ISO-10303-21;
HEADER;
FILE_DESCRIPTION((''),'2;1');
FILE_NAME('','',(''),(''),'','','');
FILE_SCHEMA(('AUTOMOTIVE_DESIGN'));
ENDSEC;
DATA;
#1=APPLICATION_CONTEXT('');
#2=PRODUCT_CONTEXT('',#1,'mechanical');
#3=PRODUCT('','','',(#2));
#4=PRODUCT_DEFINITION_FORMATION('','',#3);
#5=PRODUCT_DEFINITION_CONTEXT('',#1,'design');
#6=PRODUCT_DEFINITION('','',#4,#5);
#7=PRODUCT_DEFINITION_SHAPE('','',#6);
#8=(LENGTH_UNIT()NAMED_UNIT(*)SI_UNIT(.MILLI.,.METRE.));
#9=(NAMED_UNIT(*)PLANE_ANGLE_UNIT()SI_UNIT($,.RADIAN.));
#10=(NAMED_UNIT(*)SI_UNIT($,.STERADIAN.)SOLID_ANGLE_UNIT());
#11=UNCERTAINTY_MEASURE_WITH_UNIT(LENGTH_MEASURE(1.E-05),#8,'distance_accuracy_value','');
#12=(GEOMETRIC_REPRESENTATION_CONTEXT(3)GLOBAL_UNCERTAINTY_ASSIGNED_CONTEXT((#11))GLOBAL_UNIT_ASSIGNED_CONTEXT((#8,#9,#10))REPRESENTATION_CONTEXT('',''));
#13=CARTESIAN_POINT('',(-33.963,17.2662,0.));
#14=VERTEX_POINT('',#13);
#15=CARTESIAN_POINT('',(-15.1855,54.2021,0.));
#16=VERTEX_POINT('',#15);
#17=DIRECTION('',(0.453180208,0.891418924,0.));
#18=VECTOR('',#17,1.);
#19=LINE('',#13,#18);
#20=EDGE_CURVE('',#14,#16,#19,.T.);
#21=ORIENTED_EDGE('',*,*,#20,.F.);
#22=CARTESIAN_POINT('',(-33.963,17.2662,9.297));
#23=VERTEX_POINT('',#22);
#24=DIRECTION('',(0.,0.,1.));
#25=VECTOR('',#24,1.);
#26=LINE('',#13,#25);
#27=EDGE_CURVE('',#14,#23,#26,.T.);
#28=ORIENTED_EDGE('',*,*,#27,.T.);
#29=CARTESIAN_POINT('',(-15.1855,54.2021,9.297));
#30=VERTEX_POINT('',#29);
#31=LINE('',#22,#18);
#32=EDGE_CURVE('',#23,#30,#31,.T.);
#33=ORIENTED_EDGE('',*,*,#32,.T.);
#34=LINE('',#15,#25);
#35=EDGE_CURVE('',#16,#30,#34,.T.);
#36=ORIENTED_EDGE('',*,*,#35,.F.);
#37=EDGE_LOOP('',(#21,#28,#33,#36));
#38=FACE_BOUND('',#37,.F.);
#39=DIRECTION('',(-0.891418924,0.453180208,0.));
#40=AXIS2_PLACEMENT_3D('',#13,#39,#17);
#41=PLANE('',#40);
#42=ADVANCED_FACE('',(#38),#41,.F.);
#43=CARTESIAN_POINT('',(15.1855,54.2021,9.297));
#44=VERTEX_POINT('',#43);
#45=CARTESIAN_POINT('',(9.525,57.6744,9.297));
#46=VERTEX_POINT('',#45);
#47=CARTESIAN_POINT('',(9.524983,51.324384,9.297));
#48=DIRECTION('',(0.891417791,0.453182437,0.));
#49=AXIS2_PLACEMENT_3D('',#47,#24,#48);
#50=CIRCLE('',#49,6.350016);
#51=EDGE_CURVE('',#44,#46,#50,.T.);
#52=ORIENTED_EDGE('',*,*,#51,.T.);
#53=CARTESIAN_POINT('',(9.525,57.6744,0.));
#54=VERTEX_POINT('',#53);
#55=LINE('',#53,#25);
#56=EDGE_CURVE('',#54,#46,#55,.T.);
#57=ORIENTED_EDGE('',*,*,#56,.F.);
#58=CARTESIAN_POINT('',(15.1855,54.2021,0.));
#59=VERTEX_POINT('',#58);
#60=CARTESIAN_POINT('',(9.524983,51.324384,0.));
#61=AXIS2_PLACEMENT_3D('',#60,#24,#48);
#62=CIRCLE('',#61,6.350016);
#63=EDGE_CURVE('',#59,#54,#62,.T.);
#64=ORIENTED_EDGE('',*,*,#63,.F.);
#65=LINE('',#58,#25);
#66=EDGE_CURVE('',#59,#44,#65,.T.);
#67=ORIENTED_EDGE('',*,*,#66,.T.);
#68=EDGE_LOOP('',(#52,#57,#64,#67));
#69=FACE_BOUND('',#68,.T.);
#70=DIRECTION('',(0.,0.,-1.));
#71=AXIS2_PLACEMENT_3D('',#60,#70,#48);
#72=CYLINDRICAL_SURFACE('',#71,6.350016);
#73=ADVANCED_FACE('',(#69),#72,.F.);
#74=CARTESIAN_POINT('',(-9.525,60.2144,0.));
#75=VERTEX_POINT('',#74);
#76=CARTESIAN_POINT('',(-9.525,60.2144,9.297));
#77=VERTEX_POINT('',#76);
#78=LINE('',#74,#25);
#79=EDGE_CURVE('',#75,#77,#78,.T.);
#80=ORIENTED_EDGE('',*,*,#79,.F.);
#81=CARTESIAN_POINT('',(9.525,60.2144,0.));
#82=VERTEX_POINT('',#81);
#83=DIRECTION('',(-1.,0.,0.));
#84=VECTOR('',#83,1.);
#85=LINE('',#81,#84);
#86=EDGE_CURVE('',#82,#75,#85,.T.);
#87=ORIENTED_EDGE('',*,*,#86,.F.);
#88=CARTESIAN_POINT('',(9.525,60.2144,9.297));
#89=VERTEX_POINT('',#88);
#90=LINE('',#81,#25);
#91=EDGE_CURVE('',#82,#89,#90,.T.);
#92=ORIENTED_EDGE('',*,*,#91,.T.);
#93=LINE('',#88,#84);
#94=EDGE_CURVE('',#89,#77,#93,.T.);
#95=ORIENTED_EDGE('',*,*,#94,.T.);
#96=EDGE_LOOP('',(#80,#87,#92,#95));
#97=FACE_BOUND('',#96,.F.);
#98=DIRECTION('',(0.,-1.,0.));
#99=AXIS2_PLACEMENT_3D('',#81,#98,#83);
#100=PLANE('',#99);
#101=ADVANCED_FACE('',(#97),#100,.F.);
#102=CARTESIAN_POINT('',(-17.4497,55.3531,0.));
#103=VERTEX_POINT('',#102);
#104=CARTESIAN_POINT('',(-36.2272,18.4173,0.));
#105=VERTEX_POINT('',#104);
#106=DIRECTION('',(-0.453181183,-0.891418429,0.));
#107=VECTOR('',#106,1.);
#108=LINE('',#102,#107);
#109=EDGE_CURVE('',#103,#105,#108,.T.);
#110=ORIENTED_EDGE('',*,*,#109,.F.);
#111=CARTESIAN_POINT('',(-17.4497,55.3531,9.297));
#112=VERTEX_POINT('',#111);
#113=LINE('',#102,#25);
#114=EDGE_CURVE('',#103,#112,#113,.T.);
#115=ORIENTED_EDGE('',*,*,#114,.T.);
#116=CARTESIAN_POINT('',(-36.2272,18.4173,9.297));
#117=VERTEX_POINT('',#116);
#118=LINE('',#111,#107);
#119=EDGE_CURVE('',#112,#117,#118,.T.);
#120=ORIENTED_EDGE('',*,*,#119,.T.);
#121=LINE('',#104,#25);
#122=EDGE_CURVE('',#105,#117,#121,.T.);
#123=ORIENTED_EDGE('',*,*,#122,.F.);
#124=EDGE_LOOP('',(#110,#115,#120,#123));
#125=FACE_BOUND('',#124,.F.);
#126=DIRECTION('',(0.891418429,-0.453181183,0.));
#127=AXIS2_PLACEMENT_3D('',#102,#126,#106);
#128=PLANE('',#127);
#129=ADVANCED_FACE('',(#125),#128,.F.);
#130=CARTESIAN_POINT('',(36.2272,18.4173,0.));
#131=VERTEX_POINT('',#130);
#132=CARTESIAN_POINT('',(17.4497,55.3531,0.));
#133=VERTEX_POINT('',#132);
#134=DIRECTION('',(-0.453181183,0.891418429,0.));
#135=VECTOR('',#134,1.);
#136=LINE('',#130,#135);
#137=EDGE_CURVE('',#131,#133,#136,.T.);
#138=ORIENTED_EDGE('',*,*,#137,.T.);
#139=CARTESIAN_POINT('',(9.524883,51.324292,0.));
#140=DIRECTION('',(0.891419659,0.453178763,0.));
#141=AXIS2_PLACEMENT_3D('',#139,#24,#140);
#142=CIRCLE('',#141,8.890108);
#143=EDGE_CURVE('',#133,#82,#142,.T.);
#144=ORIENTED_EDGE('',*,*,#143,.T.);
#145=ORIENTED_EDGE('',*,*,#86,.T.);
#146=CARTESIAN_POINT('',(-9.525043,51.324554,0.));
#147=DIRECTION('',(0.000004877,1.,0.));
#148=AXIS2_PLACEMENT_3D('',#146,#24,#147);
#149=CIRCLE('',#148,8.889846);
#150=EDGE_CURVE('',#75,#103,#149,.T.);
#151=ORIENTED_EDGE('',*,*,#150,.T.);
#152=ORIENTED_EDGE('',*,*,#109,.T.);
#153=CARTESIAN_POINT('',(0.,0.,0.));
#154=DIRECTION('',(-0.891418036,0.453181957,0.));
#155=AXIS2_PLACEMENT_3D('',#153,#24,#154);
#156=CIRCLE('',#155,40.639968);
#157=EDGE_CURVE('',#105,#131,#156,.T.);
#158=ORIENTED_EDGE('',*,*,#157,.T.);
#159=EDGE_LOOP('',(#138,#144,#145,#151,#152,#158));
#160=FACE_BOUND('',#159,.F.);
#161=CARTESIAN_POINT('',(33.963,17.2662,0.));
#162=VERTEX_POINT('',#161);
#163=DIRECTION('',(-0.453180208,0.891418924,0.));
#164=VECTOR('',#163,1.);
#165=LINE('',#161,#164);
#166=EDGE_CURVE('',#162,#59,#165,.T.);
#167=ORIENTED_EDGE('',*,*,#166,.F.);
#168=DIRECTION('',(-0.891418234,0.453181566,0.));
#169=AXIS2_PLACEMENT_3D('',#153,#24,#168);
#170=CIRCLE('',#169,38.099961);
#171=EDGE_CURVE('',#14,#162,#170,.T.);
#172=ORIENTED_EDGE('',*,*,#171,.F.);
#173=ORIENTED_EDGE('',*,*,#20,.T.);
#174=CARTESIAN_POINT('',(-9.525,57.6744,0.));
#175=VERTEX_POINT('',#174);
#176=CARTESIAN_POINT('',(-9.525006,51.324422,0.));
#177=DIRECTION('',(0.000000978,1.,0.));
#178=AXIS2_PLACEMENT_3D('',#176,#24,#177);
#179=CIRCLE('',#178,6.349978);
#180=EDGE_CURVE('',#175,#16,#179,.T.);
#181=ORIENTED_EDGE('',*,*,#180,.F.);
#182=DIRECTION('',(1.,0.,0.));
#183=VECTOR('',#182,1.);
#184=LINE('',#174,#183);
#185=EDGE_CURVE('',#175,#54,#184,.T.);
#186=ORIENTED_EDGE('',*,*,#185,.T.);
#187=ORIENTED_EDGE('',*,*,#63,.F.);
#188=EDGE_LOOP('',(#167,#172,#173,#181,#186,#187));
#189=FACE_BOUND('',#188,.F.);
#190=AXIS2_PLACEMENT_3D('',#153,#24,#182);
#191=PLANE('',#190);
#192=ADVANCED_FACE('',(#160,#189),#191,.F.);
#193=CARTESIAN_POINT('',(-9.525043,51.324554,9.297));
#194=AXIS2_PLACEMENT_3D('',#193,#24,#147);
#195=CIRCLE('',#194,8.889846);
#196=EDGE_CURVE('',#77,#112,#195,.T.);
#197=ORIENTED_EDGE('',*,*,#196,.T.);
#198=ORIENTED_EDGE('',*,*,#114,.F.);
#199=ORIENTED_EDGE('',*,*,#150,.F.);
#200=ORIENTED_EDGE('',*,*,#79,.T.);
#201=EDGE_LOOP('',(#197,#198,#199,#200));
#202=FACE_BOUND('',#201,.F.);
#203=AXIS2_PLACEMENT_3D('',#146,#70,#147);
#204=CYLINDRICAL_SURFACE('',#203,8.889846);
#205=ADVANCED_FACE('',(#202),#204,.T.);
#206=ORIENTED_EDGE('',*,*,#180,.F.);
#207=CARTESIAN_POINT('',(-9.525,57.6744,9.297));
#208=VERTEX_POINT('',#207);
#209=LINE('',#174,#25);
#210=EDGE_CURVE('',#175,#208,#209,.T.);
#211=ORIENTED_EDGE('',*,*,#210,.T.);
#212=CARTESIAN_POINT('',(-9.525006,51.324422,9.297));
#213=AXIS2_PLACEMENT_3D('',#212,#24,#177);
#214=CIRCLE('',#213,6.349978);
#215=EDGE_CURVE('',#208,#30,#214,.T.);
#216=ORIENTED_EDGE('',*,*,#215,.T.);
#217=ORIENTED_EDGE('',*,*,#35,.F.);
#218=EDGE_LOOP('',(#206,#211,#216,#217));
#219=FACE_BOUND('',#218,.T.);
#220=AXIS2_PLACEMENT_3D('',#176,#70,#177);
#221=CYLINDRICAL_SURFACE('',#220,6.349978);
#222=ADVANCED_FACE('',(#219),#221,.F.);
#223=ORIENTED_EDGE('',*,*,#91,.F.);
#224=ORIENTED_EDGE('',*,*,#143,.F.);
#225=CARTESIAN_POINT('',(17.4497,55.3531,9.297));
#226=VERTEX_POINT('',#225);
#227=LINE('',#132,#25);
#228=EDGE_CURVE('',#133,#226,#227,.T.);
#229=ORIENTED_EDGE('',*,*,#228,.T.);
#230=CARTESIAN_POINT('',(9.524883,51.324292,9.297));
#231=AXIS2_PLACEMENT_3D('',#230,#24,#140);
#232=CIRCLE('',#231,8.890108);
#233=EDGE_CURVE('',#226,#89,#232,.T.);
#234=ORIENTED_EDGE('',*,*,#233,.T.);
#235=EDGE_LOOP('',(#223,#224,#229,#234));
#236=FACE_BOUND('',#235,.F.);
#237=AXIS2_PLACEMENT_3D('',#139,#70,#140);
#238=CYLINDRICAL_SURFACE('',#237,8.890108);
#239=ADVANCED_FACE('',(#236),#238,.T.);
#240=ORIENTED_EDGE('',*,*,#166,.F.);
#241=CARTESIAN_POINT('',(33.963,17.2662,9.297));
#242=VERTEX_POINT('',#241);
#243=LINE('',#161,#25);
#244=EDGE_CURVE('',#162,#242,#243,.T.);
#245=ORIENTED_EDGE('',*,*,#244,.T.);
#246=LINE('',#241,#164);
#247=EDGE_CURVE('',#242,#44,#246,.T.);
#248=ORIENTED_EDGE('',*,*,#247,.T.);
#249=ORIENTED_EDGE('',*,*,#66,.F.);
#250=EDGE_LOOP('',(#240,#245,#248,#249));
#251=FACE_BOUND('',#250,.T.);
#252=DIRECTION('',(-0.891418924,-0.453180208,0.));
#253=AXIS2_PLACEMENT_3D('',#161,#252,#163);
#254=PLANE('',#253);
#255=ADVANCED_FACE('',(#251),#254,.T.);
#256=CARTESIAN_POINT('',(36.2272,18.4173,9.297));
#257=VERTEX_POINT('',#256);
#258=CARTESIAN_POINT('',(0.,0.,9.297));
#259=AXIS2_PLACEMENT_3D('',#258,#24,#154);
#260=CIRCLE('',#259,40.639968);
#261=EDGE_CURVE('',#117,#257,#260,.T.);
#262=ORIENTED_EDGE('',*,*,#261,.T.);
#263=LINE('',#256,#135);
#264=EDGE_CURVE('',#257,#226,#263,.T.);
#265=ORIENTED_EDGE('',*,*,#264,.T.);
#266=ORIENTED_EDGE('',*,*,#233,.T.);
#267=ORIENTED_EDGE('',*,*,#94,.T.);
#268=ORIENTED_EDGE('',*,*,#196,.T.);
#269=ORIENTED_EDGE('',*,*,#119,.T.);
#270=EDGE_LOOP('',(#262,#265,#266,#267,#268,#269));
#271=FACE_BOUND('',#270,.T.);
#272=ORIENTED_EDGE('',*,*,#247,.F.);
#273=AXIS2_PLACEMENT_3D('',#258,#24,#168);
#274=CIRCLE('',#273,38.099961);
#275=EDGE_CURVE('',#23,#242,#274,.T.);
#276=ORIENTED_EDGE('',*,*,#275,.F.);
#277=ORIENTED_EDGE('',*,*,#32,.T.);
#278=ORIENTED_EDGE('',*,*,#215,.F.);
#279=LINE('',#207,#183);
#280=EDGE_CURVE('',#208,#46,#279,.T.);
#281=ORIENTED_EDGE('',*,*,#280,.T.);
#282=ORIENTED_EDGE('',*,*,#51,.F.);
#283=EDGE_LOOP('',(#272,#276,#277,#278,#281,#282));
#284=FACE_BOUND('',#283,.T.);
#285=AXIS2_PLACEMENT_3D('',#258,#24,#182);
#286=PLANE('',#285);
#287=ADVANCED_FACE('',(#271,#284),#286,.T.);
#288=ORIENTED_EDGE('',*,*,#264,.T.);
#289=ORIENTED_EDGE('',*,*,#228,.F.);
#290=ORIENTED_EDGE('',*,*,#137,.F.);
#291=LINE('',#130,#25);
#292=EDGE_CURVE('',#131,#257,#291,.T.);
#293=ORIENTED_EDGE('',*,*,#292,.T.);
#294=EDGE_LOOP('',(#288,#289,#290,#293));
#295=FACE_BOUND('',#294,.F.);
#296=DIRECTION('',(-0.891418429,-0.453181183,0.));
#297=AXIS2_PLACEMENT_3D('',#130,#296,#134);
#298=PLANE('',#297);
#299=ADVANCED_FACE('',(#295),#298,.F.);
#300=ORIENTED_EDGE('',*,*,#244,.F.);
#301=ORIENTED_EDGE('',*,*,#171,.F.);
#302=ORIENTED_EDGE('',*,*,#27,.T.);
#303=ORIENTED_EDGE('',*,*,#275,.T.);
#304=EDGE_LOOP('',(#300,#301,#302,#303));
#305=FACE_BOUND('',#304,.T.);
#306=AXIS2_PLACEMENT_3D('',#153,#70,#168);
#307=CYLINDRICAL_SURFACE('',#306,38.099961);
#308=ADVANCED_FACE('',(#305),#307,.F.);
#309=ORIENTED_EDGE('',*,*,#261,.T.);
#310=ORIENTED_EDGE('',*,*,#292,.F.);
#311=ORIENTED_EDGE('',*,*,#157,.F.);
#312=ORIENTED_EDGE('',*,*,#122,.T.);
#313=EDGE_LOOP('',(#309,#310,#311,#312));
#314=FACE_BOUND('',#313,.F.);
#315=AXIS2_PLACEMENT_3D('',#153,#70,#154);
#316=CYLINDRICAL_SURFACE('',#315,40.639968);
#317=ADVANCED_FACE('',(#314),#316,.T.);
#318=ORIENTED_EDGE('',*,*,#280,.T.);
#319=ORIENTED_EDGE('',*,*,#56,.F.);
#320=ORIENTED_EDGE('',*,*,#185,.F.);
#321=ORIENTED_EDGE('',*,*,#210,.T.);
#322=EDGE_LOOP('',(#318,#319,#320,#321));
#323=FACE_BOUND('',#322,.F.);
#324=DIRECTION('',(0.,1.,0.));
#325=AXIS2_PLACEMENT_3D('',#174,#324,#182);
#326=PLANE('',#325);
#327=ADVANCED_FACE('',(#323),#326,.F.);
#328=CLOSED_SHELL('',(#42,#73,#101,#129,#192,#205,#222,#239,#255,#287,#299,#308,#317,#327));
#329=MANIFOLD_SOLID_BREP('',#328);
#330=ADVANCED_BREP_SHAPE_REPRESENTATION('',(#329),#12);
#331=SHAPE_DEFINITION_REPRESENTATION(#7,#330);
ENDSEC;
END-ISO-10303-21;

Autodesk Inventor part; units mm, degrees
ref_plane "YZ Plane" through (0, 0, 0) normal (1, 0, 0) x (0, 1, 0)
ref_plane "XZ Plane" through (0, 0, 0) normal (0, 1, 0) x (-1, 0, 0)
ref_plane "XY Plane" through (0, 0, 0) normal (0, 0, 1) x (1, 0, 0)
sketch "Sketch1" plane through (0, 0, 0) normal (0, 0, 1) x (1, 0, 0)
  arc A0 (-26.9408, 26.9408) -> (26.9408, 26.9408) centre (0, 0) ccw construction
  line L0 (-15.875, 29.0994) -> (-12.7, 29.0994) construction
  line L1 (-15.875, 51.3244) -> (-15.875, 29.0994) construction
  arc A1 (-9.525, 57.6744) -> (-15.875, 51.3244) centre (-9.525, 51.3244) ccw construction
  line L2 (9.525, 57.6744) -> (-9.525, 57.6744) construction
  arc A2 (15.875, 51.3244) -> (9.525, 57.6744) centre (9.525, 51.3244) ccw construction
  line L3 (15.875, 29.0994) -> (15.875, 51.3244) construction
  line L4 (12.7, 29.0994) -> (15.875, 29.0994) construction
  line L5 (12.7, 51.3244) -> (12.7, 29.0994) construction
  arc A3 (12.7, 51.3244) -> (9.525, 54.4994) centre (9.525, 51.3244) ccw construction
  line L6 (-9.525, 54.4994) -> (9.525, 54.4994) construction
  arc A4 (-9.525, 54.4994) -> (-12.7, 51.3244) centre (-9.525, 51.3244) ccw construction
  line L7 (-12.7, 29.0994) -> (-12.7, 51.3244) construction
  line L8 (-33.963, 17.2662) -> (-15.1855, 54.2021)
  line L9 (33.963, 17.2662) -> (15.1855, 54.2021)
  arc A5 (-9.525, 57.6744) -> (-15.1855, 54.2021) centre (-9.525, 51.3244) ccw
  arc A6 (15.1855, 54.2021) -> (9.525, 57.6744) centre (9.525, 51.3244) ccw
  line L10 (-9.525, 57.6744) -> (9.525, 57.6744)
  arc A7 (-33.963, 17.2662) -> (33.963, 17.2662) centre (0, 0) ccw
  line L11 (-17.4497, 55.3531) -> (-36.2272, 18.4173)
  arc A8 (-36.2272, 18.4173) -> (36.2272, 18.4173) centre (0, 0) ccw
  line L12 (36.2272, 18.4173) -> (17.4497, 55.3531)
  arc A9 (17.4497, 55.3531) -> (9.525, 60.2144) centre (9.525, 51.3244) ccw
  line L13 (9.525, 60.2144) -> (-9.525, 60.2144)
  arc A10 (-9.525, 60.2144) -> (-17.4497, 55.3531) centre (-9.525, 51.3244) ccw
  point P0 (0, 0)
  dimension "d0" = 2.54
extrude "Extrusion1" add sketch "Sketch1" along normal blind 9.297
properties part number "Weight Shifter Tension Strap" material "Rubber"
